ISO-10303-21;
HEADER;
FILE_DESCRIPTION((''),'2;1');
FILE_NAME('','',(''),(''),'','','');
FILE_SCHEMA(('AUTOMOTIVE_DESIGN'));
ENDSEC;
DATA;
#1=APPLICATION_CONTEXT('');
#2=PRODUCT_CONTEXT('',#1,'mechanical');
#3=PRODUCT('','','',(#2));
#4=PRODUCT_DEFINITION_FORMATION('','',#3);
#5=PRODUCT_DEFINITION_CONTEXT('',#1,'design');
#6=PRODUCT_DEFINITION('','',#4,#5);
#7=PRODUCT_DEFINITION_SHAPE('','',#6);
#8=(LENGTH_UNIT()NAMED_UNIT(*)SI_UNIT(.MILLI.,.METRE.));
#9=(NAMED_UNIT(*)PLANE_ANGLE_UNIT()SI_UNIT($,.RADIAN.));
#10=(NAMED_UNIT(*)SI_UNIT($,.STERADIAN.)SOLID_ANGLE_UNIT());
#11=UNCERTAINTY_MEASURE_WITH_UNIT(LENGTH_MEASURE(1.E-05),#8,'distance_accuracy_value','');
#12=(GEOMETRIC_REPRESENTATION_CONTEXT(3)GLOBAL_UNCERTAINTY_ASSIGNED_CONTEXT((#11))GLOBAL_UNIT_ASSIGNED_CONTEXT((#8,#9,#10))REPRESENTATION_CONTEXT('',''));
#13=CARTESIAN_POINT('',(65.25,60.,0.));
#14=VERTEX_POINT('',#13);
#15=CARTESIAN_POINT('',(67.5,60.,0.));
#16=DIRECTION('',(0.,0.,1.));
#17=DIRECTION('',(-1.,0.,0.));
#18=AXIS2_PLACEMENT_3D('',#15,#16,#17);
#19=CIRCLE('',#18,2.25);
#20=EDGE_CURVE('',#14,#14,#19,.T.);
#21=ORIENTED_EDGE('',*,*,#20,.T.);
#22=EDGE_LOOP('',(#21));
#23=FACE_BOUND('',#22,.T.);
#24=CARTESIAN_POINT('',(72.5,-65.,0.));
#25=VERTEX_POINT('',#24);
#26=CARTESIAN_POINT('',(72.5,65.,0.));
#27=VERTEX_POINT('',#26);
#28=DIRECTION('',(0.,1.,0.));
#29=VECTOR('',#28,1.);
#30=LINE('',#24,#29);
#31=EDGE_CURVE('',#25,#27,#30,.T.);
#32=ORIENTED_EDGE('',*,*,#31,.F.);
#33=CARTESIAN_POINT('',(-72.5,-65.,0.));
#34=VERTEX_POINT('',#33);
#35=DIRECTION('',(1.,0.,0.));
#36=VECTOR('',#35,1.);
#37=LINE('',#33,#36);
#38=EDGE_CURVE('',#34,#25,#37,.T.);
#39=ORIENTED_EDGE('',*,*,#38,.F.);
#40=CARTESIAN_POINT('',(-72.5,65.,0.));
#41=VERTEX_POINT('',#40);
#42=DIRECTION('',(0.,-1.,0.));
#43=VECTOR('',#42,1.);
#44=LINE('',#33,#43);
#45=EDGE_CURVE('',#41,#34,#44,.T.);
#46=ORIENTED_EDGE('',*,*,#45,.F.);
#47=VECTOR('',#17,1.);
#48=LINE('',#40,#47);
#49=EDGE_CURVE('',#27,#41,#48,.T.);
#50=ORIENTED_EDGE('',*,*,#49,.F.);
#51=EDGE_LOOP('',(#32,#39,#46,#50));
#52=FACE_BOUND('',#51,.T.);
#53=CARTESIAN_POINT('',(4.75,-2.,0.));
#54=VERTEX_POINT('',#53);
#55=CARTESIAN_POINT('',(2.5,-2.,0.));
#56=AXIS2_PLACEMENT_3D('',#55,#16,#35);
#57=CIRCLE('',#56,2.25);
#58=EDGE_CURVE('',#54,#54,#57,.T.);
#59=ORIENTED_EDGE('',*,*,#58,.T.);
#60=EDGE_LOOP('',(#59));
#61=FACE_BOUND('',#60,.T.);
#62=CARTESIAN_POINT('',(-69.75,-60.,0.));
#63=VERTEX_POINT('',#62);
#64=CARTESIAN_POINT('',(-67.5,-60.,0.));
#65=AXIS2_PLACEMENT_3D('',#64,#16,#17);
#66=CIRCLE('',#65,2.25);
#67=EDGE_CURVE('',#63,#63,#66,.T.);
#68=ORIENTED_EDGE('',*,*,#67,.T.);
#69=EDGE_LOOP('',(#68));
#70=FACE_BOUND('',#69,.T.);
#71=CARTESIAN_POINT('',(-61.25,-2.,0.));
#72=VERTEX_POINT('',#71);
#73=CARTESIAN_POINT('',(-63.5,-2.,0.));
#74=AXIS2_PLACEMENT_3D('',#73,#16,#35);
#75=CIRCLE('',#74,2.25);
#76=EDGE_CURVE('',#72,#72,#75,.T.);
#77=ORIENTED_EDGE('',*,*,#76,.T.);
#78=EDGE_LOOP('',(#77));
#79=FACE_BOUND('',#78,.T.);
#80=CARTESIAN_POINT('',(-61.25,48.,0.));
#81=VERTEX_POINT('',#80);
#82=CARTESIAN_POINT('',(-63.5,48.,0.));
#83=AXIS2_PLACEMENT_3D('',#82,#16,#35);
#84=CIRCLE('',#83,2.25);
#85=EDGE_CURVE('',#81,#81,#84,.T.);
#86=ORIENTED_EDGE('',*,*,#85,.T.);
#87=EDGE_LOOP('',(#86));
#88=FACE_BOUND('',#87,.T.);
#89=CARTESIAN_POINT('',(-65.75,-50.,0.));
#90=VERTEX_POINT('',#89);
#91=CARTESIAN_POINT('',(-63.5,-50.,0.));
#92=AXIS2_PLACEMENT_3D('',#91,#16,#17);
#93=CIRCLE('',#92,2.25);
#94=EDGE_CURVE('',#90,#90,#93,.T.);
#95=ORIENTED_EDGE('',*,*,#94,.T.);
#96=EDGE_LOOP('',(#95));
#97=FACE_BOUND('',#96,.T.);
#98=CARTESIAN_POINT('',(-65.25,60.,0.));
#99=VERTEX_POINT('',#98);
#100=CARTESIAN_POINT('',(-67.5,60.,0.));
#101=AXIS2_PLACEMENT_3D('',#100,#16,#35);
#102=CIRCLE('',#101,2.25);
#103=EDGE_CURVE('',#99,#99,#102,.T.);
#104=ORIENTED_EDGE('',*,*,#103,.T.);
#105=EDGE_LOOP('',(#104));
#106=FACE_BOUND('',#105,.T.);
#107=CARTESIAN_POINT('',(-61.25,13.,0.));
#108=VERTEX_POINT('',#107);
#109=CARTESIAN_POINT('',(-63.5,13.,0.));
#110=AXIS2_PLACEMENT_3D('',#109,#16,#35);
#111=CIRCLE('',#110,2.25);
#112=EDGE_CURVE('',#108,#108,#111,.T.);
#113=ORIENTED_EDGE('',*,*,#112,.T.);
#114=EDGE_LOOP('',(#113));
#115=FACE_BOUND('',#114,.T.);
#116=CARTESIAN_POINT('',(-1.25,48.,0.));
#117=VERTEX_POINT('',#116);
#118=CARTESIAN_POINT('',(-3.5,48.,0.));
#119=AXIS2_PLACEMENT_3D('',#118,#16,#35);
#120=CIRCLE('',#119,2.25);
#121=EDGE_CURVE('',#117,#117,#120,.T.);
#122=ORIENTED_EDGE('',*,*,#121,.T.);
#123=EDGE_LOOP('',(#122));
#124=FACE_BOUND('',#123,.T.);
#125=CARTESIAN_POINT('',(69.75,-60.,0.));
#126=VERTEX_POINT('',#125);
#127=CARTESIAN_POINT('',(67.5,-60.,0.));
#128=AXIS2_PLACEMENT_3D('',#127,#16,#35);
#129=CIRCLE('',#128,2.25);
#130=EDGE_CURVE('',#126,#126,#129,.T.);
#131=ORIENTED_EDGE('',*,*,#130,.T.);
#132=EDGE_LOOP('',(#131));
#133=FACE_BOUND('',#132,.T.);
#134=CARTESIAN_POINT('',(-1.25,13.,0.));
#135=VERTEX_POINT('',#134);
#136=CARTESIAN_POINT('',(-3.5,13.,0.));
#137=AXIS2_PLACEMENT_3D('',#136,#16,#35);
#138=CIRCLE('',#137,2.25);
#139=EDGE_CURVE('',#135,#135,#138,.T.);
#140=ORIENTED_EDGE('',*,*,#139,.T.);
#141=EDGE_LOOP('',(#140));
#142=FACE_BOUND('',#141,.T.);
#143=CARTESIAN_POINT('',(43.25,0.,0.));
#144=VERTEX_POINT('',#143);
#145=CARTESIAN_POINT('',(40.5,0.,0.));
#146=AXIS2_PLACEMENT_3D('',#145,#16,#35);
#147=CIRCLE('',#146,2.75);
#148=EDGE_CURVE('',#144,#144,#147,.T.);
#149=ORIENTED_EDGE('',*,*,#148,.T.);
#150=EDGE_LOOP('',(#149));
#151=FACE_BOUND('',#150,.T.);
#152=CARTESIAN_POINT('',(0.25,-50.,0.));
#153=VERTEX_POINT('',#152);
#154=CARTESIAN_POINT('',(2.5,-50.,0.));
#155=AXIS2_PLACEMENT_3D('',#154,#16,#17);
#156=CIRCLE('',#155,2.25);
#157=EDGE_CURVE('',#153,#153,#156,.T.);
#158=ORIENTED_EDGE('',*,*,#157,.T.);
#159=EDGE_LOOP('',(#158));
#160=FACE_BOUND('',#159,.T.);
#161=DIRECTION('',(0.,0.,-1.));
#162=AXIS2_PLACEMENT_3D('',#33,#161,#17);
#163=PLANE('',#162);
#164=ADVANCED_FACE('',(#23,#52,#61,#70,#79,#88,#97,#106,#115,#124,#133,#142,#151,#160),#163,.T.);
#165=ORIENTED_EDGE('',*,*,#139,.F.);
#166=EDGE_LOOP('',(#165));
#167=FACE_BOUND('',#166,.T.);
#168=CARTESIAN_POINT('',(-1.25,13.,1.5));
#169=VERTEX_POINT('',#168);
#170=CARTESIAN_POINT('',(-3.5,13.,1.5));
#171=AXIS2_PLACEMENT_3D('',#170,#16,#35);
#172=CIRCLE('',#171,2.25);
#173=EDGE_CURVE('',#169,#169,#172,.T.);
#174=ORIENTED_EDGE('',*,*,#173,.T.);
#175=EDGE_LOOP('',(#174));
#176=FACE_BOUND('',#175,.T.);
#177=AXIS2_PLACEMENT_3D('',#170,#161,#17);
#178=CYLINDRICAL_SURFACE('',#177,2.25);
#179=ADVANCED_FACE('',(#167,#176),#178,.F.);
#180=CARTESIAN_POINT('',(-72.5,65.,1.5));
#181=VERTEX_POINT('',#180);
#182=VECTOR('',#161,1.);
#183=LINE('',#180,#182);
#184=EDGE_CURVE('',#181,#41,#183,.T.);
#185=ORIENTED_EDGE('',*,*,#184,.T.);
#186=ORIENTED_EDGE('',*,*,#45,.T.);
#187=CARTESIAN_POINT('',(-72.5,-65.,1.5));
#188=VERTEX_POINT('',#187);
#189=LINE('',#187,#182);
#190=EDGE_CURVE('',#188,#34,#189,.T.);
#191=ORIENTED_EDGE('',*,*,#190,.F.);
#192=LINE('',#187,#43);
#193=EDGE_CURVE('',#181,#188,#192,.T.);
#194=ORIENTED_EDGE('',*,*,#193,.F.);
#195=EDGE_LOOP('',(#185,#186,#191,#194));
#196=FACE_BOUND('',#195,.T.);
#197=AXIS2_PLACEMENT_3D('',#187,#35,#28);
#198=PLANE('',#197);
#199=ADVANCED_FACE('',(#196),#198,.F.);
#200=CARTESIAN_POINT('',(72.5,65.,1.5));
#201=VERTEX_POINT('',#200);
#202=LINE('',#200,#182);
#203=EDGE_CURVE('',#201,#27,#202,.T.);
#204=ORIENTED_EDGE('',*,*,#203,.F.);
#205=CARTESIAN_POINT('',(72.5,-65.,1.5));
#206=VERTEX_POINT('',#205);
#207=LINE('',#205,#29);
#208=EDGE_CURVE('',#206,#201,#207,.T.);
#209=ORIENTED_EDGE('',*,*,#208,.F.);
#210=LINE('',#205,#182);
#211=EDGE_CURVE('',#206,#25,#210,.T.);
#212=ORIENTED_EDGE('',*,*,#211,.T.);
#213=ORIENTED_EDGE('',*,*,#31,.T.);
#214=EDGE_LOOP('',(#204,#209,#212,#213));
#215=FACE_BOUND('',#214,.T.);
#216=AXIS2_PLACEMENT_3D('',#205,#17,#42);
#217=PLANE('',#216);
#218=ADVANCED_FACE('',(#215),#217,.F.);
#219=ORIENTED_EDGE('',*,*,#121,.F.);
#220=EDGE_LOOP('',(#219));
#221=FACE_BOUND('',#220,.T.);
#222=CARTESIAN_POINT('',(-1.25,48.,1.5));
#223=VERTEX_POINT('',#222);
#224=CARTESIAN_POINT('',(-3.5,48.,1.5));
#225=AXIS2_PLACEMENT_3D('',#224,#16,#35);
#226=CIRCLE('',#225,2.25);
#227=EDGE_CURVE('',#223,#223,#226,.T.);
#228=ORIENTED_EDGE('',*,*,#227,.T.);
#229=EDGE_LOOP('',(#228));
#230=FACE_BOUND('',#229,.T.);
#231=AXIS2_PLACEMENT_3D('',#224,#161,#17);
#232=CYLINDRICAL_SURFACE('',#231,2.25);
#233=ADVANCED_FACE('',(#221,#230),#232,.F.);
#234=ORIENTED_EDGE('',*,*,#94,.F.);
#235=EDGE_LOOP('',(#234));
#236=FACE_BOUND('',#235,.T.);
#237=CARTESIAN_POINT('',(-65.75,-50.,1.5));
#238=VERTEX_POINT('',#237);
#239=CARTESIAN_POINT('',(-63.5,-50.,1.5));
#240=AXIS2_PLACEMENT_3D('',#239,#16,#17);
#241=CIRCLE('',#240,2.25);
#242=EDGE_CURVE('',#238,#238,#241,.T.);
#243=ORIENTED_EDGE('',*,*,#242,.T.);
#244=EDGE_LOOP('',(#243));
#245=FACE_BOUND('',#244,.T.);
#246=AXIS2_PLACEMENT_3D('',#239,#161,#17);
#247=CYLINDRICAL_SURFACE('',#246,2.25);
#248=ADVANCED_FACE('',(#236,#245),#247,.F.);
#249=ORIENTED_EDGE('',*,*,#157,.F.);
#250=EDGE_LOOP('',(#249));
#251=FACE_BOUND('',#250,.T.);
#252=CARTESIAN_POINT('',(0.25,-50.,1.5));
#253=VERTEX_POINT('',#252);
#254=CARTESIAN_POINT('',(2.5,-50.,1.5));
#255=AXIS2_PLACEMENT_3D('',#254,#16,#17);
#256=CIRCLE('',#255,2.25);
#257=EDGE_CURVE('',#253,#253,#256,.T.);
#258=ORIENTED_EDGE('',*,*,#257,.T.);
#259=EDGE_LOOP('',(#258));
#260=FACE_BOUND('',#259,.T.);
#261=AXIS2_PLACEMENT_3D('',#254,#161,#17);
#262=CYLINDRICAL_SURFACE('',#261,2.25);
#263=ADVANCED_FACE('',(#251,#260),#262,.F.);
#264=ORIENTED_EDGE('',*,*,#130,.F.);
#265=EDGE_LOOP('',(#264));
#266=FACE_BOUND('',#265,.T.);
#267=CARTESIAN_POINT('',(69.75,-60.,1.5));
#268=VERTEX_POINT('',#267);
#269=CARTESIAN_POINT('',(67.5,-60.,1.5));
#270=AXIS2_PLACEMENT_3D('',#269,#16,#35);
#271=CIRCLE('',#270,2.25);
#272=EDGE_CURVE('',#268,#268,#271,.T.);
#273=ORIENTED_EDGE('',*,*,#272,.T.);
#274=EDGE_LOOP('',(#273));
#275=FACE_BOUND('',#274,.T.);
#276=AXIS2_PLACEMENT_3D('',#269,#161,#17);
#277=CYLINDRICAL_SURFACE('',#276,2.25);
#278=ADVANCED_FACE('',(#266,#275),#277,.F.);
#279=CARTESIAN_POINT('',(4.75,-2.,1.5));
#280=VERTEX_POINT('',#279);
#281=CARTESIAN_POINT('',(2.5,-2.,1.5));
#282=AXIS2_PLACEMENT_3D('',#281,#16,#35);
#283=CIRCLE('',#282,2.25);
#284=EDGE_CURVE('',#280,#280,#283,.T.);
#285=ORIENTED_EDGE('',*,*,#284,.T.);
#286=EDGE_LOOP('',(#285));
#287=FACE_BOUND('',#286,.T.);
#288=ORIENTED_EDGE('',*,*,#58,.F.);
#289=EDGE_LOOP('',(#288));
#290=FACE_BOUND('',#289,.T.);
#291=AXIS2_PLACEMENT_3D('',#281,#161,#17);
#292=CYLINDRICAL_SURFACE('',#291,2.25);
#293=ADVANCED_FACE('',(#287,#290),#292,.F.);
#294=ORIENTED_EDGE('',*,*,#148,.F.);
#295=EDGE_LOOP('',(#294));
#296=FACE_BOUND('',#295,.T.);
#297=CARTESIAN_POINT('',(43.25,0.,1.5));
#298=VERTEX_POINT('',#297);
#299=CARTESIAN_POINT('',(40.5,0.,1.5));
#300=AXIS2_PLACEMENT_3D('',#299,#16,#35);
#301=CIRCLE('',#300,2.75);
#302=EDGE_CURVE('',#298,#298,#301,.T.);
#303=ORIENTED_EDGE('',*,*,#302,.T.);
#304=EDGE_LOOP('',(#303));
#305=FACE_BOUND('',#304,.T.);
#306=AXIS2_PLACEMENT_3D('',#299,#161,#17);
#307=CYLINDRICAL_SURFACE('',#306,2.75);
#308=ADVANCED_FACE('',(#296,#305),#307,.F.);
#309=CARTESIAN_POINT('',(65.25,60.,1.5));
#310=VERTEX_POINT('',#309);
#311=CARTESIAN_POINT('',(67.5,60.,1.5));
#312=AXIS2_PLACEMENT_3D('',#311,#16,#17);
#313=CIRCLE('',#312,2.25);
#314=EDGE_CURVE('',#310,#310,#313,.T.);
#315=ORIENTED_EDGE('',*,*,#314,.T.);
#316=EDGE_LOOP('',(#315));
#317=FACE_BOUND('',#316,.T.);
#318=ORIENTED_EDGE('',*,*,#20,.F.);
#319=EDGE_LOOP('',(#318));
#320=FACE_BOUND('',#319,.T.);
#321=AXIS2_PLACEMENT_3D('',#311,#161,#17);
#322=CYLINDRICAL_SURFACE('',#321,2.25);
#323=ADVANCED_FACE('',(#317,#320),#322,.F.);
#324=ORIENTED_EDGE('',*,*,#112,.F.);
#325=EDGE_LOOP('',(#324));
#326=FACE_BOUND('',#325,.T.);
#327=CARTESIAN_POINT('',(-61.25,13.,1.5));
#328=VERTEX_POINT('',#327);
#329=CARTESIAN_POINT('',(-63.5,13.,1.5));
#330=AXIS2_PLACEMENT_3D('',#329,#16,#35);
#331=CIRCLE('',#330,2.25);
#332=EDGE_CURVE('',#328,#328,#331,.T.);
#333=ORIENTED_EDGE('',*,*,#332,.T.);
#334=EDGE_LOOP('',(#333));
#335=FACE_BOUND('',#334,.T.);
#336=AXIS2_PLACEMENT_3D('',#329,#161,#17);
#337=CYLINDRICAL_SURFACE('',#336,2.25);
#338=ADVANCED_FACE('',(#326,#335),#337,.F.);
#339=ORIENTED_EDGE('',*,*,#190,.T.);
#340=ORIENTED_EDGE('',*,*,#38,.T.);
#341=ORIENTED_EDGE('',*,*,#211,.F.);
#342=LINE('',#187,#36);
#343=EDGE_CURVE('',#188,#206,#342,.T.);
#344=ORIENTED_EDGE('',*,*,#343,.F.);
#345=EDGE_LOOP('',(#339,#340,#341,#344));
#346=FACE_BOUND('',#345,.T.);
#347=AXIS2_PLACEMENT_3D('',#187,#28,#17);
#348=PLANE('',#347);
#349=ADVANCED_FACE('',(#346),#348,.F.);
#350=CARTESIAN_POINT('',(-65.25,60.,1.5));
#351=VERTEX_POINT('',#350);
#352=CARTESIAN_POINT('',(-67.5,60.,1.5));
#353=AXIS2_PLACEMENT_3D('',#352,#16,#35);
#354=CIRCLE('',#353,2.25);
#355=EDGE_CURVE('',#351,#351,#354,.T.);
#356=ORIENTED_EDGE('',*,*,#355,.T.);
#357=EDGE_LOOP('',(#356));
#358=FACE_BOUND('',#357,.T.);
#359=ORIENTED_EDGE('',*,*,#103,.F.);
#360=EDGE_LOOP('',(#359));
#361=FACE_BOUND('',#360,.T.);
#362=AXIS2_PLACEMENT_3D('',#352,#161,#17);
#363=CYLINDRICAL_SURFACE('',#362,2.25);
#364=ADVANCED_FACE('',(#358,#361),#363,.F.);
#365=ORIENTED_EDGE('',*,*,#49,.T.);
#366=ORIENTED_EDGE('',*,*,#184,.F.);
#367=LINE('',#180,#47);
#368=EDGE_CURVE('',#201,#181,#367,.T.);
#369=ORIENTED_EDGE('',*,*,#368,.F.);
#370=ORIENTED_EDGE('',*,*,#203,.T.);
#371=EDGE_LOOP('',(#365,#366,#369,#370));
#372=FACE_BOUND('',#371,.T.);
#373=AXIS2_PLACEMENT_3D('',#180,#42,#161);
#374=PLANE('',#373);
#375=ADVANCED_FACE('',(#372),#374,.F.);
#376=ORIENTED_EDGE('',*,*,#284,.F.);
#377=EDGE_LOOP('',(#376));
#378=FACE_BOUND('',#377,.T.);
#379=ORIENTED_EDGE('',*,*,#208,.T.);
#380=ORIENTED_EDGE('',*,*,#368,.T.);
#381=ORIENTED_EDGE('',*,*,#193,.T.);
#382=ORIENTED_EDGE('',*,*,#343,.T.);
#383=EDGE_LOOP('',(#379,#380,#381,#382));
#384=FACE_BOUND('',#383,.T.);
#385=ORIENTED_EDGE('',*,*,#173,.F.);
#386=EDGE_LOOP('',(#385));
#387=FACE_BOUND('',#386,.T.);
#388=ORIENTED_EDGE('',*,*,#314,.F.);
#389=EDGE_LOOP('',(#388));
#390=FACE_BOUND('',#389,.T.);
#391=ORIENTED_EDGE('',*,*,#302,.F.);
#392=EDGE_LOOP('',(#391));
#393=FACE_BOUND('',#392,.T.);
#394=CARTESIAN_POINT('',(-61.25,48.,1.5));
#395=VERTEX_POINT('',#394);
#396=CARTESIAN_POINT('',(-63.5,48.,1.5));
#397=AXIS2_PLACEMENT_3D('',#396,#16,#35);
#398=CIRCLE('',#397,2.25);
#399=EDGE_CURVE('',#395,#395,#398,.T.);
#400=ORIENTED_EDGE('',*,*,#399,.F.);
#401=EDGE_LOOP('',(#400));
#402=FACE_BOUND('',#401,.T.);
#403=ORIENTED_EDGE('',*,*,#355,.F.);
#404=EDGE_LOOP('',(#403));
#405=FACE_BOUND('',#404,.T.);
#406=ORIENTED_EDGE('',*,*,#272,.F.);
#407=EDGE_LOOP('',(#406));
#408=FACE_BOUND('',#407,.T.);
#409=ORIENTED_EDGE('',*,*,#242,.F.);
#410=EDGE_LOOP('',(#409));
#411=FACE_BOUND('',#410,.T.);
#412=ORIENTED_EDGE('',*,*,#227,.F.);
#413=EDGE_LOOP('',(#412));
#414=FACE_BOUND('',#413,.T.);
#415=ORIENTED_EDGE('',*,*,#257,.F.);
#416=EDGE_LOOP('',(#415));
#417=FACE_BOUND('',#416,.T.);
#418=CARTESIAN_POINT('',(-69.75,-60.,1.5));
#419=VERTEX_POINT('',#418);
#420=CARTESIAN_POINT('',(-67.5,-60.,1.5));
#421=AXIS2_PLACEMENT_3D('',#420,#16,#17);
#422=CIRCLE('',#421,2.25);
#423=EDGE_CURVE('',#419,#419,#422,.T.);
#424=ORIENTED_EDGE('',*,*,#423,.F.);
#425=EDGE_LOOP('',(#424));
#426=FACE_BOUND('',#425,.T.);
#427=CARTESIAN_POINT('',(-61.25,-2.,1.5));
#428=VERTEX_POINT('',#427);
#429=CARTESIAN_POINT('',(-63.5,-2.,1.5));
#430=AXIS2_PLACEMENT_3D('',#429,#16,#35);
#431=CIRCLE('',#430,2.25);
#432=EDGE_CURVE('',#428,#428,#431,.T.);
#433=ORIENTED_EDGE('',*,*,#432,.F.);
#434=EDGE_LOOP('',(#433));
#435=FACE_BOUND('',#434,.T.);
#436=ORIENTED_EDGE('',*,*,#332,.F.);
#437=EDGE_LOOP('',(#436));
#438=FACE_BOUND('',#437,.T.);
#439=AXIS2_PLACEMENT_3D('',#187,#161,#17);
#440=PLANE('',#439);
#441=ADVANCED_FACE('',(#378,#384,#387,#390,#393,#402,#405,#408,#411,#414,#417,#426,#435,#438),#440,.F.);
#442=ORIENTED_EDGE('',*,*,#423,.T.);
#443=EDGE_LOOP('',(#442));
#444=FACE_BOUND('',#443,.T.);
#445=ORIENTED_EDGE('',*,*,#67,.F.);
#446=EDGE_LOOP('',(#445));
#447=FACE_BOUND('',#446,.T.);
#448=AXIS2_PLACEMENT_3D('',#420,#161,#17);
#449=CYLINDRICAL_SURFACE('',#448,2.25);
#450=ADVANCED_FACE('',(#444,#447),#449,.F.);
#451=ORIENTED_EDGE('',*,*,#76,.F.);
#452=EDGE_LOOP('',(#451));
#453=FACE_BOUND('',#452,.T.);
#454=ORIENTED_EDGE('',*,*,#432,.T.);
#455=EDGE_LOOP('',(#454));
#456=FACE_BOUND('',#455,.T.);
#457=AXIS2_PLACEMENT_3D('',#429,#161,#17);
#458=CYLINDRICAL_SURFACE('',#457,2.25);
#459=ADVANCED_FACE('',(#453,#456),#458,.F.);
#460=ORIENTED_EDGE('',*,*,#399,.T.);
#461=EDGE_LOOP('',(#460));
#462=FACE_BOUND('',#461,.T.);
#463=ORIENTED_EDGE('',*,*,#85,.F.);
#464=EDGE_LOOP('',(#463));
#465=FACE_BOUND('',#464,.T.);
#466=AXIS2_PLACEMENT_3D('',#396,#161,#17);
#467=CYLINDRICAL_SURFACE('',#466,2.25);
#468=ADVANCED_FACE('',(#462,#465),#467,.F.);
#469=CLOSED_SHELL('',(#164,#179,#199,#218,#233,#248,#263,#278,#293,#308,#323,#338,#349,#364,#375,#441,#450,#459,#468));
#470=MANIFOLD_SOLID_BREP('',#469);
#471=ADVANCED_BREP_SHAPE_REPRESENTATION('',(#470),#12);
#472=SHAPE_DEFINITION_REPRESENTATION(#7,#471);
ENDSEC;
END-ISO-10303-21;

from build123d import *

# Parameters (mm, degrees)
SKETCH_1_W      = 145
SKETCH_1_H      = 130
SKETCH_1_R      = 2.25
SKETCH_1_R_2    = 2.75
EXTRUDE_1_DEPTH = 1.5


with BuildPart() as part:
    # Эскиз1 → Вытянуть1 (new body)
    with BuildSketch(Plane.XY):
        Rectangle(SKETCH_1_W, SKETCH_1_H)
        with Locations((-67.5, 60)):
            Circle(SKETCH_1_R, mode=Mode.SUBTRACT)
        with Locations(Location((-67.5, -60, 0), (0, 0, 180))):
            Circle(SKETCH_1_R, mode=Mode.SUBTRACT)
        with Locations((67.5, -60)):
            Circle(SKETCH_1_R, mode=Mode.SUBTRACT)
        with Locations(Location((67.5, 60, 0), (0, 0, 180))):
            Circle(SKETCH_1_R, mode=Mode.SUBTRACT)
        with Locations((-63.5, -2)):
            Circle(SKETCH_1_R, mode=Mode.SUBTRACT)
        with Locations(Location((-63.5, -50, 0), (0, 0, 180))):
            Circle(SKETCH_1_R, mode=Mode.SUBTRACT)
        with Locations((2.5, -2)):
            Circle(SKETCH_1_R, mode=Mode.SUBTRACT)
        with Locations(Location((2.5, -50, 0), (0, 0, 180))):
            Circle(SKETCH_1_R, mode=Mode.SUBTRACT)
        with Locations((40.5, 0)):
            Circle(SKETCH_1_R_2, mode=Mode.SUBTRACT)
        with Locations((-63.5, 13)):
            Circle(SKETCH_1_R, mode=Mode.SUBTRACT)
        with Locations((-63.5, 48)):
            Circle(SKETCH_1_R, mode=Mode.SUBTRACT)
        with Locations((-3.5, 13)):
            Circle(SKETCH_1_R, mode=Mode.SUBTRACT)
        with Locations((-3.5, 48)):
            Circle(SKETCH_1_R, mode=Mode.SUBTRACT)
    extrude(amount=EXTRUDE_1_DEPTH)


solid = part.part
